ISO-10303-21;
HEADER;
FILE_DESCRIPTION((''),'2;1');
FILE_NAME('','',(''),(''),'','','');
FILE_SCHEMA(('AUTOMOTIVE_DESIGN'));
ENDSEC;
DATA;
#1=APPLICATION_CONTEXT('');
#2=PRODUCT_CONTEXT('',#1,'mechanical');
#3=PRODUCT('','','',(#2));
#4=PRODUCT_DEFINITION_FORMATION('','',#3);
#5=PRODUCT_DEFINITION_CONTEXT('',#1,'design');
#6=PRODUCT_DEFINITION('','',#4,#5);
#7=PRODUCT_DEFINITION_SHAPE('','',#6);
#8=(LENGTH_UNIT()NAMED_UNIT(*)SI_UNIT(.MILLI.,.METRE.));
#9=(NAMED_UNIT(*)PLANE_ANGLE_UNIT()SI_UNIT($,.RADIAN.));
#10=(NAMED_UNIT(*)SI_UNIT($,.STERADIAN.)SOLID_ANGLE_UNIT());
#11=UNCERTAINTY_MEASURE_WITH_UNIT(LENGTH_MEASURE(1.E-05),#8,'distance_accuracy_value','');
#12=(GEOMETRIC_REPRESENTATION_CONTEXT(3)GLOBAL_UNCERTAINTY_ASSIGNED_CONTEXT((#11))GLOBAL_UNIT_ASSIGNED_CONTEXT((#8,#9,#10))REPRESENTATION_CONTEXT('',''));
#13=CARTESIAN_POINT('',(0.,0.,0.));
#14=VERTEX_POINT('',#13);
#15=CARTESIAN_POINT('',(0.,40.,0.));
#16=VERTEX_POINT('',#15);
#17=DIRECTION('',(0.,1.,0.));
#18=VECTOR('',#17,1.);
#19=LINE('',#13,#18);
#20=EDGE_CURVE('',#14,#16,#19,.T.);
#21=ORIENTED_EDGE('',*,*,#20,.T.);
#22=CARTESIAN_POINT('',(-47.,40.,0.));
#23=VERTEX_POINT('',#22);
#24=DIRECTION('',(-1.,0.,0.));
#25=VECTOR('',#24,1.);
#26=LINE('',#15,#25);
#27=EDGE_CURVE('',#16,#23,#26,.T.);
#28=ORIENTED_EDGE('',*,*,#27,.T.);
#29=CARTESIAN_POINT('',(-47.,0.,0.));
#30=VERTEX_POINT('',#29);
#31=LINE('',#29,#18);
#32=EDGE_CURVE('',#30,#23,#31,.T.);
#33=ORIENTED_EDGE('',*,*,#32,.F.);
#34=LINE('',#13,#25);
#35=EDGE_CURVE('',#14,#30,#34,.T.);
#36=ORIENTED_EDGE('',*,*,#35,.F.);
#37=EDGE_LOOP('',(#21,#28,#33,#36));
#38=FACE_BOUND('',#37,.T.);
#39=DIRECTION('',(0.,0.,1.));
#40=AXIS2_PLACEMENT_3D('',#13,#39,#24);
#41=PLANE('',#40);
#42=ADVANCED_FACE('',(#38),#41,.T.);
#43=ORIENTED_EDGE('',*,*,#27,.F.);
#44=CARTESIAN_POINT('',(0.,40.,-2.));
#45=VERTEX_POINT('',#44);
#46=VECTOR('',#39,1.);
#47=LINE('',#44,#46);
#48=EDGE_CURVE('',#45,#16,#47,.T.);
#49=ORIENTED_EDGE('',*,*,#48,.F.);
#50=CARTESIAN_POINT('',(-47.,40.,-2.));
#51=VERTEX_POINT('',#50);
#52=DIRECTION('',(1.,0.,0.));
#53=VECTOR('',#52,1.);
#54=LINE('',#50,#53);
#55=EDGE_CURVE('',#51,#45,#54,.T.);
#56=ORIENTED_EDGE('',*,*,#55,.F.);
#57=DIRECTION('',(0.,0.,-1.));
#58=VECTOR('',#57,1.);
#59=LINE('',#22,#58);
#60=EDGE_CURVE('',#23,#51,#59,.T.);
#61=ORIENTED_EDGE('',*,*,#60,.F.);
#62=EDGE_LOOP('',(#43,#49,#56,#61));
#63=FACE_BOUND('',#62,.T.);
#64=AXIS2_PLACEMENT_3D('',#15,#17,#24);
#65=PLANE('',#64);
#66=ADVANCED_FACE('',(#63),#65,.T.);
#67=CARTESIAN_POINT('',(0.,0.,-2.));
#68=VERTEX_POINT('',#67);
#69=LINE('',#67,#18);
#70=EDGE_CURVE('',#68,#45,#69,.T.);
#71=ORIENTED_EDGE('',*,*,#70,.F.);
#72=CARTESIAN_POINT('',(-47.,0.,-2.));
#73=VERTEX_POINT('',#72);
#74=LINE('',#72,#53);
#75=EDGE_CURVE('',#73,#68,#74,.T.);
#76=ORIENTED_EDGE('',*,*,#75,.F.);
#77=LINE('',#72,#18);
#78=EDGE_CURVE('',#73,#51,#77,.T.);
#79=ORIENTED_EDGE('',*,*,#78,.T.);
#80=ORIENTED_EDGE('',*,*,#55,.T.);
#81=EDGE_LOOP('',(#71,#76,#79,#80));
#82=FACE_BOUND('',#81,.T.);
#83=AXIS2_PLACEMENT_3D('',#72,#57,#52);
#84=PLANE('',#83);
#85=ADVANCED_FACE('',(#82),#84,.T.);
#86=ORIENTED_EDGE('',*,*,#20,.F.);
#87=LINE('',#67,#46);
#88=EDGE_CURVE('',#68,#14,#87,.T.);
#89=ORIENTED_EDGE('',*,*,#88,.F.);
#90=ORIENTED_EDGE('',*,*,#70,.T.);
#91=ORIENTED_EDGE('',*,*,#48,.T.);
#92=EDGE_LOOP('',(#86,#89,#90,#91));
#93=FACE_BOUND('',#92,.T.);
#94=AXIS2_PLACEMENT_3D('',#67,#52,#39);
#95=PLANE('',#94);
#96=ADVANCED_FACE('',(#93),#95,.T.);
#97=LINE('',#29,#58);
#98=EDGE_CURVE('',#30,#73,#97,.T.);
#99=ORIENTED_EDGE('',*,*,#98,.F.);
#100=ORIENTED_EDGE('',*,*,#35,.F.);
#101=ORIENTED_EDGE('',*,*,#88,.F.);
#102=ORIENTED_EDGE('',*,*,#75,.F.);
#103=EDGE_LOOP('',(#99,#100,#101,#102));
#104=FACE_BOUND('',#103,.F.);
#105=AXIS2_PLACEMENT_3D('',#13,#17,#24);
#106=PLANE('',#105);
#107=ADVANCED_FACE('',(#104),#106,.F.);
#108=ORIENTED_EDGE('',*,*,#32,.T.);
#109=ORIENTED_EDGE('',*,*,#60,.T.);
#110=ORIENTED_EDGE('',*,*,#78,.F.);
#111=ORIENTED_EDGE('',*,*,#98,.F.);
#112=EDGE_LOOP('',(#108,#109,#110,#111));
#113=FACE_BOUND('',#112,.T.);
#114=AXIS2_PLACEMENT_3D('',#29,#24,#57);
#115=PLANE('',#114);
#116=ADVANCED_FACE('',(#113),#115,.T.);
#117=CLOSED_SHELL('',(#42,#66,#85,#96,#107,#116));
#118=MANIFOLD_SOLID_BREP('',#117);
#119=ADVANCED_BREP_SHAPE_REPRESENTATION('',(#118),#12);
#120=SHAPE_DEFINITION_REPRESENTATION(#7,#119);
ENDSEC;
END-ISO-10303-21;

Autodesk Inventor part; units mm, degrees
ref_plane "YZ Plane" through (0, 0, 0) normal (1, 0, 0) x (0, 1, 0)
ref_plane "XZ Plane" through (0, 0, 0) normal (0, 1, 0) x (-1, 0, 0)
ref_plane "XY Plane" through (0, 0, 0) normal (0, 0, 1) x (1, 0, 0)
sketch "Sketch1" plane through (0, 0, 0) normal (0, 1, 0) x (-1, 0, 0)
  line L0 (0, 0) -> (47, 0)
  line L1 (47, 0) -> (47, -2)
  line L2 (47, -2) -> (0, -2)
  line L3 (0, -2) -> (0, 0)
  dimension "d0" = 2
  dimension "d1" = 47
extrude "Extrusion1" add sketch "Sketch1" along normal blind 40
properties part number "SealingCover"
